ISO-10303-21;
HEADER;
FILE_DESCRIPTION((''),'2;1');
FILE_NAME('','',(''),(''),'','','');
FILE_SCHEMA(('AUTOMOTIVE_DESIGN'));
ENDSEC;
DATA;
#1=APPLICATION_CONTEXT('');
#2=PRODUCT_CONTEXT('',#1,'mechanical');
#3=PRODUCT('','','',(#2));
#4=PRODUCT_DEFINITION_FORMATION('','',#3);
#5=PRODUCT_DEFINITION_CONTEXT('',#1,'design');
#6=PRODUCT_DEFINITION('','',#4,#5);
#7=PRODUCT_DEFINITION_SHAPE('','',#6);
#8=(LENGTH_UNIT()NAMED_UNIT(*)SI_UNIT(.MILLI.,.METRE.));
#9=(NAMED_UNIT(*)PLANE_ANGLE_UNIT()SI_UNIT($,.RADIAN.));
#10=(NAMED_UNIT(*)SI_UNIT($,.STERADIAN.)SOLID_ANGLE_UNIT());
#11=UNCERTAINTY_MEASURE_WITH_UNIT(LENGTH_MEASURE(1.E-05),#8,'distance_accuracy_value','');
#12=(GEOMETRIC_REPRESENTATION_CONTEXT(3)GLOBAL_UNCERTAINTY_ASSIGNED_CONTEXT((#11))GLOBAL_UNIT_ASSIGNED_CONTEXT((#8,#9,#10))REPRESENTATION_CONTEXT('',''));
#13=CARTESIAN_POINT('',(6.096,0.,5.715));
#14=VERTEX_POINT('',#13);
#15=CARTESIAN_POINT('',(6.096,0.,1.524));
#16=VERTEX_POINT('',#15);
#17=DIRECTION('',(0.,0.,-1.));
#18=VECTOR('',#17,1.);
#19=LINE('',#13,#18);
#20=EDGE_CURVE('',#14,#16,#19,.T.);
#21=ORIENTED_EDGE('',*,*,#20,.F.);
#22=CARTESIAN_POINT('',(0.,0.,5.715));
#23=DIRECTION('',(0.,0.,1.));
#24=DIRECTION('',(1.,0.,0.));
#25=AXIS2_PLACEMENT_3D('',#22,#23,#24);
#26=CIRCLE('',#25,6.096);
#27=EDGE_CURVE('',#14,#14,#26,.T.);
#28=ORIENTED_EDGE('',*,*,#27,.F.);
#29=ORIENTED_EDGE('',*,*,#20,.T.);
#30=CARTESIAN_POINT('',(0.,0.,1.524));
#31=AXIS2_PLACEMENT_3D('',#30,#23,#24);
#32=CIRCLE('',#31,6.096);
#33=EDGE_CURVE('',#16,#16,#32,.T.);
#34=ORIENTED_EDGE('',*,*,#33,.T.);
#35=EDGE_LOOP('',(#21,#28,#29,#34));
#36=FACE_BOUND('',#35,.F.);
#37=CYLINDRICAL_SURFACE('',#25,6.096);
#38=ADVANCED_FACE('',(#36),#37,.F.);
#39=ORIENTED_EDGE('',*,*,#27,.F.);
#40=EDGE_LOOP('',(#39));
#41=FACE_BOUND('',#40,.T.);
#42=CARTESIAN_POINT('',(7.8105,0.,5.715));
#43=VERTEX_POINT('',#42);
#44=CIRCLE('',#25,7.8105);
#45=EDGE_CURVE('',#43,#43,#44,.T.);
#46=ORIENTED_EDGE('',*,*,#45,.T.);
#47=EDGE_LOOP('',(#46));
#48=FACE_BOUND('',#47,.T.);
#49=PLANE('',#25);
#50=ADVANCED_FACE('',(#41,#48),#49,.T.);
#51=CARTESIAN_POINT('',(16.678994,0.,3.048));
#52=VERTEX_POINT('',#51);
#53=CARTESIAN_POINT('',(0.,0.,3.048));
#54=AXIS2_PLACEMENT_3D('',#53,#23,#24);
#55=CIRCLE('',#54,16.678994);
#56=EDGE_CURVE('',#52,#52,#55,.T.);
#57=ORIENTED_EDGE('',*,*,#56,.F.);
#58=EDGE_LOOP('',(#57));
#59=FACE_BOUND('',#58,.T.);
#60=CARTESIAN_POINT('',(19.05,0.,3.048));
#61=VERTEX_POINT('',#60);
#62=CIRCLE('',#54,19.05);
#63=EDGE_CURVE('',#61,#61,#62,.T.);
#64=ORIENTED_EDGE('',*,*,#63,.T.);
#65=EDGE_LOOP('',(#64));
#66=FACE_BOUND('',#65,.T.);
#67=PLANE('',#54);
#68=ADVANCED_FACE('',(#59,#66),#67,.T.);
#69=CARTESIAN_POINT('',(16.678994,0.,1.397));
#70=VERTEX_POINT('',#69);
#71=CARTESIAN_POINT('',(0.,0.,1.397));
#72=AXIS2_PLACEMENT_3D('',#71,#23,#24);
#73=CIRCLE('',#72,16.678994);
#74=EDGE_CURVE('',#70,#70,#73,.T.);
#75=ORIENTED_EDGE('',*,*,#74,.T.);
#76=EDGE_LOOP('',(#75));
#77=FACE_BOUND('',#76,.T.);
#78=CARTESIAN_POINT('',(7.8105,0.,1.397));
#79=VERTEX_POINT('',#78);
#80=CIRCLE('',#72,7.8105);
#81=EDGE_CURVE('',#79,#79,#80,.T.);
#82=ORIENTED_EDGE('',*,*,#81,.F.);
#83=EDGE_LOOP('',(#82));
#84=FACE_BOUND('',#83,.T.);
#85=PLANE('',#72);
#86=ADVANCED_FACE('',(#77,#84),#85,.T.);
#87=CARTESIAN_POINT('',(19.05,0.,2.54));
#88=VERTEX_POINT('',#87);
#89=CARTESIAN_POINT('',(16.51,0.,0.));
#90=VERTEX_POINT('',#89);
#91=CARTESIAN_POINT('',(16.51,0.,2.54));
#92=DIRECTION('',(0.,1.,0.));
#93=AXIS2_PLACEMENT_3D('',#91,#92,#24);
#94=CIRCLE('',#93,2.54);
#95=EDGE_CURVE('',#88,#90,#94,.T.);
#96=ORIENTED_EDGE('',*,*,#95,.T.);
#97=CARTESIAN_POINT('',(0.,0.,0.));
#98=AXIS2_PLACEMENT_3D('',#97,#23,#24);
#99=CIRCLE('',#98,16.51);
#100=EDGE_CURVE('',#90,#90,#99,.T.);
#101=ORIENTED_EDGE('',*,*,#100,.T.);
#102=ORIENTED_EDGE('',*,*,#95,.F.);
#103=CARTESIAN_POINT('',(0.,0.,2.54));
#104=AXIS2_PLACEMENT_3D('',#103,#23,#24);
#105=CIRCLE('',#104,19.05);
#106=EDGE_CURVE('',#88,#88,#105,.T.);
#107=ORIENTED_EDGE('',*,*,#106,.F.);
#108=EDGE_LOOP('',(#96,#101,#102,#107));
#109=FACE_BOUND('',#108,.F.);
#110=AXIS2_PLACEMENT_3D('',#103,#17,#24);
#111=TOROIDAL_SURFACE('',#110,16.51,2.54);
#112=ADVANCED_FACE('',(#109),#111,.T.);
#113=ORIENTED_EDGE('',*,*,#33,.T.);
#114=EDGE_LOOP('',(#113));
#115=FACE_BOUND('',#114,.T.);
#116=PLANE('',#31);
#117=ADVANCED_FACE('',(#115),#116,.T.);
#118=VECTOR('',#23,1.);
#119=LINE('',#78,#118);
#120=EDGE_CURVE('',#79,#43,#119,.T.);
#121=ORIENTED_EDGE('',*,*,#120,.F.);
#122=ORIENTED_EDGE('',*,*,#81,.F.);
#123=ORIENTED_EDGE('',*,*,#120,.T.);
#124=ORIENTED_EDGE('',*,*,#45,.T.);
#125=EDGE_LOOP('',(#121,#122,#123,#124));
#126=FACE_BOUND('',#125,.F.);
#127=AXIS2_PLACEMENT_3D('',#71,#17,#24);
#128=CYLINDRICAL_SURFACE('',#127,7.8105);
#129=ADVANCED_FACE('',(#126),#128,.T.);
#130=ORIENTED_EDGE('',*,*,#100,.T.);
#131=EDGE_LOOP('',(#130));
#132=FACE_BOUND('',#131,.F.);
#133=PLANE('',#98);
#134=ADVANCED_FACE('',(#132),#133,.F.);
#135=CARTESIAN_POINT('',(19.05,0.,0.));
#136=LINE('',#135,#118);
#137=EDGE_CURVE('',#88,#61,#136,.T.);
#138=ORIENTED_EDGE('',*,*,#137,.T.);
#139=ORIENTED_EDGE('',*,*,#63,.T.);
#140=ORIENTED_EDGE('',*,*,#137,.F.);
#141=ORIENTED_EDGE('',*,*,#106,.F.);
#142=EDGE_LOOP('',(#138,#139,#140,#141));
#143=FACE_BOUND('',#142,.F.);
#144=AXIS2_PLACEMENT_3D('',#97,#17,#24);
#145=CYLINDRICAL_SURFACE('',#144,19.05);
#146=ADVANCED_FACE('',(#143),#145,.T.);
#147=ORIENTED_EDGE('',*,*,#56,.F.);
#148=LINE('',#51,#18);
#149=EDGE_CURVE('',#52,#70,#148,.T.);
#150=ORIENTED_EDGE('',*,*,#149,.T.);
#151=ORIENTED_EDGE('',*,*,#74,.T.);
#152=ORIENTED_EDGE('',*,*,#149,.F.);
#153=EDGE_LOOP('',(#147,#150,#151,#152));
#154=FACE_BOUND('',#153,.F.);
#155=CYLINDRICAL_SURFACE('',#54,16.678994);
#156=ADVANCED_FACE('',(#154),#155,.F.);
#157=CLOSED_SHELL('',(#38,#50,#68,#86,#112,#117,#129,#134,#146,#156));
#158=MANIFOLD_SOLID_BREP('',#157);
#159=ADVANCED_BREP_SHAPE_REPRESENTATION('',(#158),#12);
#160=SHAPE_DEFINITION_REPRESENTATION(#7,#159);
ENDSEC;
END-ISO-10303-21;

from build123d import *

# Parameters (mm, degrees)
F0_R     = 19.05
F1_DEPTH = 3.048
F2_R     = 2.54
F3_R     = 16.678994
F4_DEPTH = 1.651
F5_R     = 7.8105
F6_DEPTH = 4.318
F7_R     = 6.096
F8_DEPTH = 4.191


with BuildPart() as f1:
    # F0 (on Top) → F1 (new body)
    with BuildSketch(Plane.XY):
        Circle(F0_R)
    extrude(amount=F1_DEPTH)

    # F2
    f2_edges = [f1.edges().sort_by_distance(p)[0] for p in [
        (-19.05, 0, 0),
    ]]
    fillet(f2_edges, radius=F2_R)

    # F3 (on face) → F4 (cut)
    with BuildSketch(Plane.XY.offset(3.048)):
        Circle(F3_R)
    extrude(amount=-F4_DEPTH, mode=Mode.SUBTRACT)

    # F5 (on face) → F6 (join)
    with BuildSketch(Plane.XY.offset(1.397)):
        Circle(F5_R)
    extrude(amount=F6_DEPTH)

    # F7 (on face) → F8 (cut)
    with BuildSketch(Plane.XY.offset(5.715)):
        Circle(F7_R)
    extrude(amount=-F8_DEPTH, mode=Mode.SUBTRACT)


solid = f1.part
